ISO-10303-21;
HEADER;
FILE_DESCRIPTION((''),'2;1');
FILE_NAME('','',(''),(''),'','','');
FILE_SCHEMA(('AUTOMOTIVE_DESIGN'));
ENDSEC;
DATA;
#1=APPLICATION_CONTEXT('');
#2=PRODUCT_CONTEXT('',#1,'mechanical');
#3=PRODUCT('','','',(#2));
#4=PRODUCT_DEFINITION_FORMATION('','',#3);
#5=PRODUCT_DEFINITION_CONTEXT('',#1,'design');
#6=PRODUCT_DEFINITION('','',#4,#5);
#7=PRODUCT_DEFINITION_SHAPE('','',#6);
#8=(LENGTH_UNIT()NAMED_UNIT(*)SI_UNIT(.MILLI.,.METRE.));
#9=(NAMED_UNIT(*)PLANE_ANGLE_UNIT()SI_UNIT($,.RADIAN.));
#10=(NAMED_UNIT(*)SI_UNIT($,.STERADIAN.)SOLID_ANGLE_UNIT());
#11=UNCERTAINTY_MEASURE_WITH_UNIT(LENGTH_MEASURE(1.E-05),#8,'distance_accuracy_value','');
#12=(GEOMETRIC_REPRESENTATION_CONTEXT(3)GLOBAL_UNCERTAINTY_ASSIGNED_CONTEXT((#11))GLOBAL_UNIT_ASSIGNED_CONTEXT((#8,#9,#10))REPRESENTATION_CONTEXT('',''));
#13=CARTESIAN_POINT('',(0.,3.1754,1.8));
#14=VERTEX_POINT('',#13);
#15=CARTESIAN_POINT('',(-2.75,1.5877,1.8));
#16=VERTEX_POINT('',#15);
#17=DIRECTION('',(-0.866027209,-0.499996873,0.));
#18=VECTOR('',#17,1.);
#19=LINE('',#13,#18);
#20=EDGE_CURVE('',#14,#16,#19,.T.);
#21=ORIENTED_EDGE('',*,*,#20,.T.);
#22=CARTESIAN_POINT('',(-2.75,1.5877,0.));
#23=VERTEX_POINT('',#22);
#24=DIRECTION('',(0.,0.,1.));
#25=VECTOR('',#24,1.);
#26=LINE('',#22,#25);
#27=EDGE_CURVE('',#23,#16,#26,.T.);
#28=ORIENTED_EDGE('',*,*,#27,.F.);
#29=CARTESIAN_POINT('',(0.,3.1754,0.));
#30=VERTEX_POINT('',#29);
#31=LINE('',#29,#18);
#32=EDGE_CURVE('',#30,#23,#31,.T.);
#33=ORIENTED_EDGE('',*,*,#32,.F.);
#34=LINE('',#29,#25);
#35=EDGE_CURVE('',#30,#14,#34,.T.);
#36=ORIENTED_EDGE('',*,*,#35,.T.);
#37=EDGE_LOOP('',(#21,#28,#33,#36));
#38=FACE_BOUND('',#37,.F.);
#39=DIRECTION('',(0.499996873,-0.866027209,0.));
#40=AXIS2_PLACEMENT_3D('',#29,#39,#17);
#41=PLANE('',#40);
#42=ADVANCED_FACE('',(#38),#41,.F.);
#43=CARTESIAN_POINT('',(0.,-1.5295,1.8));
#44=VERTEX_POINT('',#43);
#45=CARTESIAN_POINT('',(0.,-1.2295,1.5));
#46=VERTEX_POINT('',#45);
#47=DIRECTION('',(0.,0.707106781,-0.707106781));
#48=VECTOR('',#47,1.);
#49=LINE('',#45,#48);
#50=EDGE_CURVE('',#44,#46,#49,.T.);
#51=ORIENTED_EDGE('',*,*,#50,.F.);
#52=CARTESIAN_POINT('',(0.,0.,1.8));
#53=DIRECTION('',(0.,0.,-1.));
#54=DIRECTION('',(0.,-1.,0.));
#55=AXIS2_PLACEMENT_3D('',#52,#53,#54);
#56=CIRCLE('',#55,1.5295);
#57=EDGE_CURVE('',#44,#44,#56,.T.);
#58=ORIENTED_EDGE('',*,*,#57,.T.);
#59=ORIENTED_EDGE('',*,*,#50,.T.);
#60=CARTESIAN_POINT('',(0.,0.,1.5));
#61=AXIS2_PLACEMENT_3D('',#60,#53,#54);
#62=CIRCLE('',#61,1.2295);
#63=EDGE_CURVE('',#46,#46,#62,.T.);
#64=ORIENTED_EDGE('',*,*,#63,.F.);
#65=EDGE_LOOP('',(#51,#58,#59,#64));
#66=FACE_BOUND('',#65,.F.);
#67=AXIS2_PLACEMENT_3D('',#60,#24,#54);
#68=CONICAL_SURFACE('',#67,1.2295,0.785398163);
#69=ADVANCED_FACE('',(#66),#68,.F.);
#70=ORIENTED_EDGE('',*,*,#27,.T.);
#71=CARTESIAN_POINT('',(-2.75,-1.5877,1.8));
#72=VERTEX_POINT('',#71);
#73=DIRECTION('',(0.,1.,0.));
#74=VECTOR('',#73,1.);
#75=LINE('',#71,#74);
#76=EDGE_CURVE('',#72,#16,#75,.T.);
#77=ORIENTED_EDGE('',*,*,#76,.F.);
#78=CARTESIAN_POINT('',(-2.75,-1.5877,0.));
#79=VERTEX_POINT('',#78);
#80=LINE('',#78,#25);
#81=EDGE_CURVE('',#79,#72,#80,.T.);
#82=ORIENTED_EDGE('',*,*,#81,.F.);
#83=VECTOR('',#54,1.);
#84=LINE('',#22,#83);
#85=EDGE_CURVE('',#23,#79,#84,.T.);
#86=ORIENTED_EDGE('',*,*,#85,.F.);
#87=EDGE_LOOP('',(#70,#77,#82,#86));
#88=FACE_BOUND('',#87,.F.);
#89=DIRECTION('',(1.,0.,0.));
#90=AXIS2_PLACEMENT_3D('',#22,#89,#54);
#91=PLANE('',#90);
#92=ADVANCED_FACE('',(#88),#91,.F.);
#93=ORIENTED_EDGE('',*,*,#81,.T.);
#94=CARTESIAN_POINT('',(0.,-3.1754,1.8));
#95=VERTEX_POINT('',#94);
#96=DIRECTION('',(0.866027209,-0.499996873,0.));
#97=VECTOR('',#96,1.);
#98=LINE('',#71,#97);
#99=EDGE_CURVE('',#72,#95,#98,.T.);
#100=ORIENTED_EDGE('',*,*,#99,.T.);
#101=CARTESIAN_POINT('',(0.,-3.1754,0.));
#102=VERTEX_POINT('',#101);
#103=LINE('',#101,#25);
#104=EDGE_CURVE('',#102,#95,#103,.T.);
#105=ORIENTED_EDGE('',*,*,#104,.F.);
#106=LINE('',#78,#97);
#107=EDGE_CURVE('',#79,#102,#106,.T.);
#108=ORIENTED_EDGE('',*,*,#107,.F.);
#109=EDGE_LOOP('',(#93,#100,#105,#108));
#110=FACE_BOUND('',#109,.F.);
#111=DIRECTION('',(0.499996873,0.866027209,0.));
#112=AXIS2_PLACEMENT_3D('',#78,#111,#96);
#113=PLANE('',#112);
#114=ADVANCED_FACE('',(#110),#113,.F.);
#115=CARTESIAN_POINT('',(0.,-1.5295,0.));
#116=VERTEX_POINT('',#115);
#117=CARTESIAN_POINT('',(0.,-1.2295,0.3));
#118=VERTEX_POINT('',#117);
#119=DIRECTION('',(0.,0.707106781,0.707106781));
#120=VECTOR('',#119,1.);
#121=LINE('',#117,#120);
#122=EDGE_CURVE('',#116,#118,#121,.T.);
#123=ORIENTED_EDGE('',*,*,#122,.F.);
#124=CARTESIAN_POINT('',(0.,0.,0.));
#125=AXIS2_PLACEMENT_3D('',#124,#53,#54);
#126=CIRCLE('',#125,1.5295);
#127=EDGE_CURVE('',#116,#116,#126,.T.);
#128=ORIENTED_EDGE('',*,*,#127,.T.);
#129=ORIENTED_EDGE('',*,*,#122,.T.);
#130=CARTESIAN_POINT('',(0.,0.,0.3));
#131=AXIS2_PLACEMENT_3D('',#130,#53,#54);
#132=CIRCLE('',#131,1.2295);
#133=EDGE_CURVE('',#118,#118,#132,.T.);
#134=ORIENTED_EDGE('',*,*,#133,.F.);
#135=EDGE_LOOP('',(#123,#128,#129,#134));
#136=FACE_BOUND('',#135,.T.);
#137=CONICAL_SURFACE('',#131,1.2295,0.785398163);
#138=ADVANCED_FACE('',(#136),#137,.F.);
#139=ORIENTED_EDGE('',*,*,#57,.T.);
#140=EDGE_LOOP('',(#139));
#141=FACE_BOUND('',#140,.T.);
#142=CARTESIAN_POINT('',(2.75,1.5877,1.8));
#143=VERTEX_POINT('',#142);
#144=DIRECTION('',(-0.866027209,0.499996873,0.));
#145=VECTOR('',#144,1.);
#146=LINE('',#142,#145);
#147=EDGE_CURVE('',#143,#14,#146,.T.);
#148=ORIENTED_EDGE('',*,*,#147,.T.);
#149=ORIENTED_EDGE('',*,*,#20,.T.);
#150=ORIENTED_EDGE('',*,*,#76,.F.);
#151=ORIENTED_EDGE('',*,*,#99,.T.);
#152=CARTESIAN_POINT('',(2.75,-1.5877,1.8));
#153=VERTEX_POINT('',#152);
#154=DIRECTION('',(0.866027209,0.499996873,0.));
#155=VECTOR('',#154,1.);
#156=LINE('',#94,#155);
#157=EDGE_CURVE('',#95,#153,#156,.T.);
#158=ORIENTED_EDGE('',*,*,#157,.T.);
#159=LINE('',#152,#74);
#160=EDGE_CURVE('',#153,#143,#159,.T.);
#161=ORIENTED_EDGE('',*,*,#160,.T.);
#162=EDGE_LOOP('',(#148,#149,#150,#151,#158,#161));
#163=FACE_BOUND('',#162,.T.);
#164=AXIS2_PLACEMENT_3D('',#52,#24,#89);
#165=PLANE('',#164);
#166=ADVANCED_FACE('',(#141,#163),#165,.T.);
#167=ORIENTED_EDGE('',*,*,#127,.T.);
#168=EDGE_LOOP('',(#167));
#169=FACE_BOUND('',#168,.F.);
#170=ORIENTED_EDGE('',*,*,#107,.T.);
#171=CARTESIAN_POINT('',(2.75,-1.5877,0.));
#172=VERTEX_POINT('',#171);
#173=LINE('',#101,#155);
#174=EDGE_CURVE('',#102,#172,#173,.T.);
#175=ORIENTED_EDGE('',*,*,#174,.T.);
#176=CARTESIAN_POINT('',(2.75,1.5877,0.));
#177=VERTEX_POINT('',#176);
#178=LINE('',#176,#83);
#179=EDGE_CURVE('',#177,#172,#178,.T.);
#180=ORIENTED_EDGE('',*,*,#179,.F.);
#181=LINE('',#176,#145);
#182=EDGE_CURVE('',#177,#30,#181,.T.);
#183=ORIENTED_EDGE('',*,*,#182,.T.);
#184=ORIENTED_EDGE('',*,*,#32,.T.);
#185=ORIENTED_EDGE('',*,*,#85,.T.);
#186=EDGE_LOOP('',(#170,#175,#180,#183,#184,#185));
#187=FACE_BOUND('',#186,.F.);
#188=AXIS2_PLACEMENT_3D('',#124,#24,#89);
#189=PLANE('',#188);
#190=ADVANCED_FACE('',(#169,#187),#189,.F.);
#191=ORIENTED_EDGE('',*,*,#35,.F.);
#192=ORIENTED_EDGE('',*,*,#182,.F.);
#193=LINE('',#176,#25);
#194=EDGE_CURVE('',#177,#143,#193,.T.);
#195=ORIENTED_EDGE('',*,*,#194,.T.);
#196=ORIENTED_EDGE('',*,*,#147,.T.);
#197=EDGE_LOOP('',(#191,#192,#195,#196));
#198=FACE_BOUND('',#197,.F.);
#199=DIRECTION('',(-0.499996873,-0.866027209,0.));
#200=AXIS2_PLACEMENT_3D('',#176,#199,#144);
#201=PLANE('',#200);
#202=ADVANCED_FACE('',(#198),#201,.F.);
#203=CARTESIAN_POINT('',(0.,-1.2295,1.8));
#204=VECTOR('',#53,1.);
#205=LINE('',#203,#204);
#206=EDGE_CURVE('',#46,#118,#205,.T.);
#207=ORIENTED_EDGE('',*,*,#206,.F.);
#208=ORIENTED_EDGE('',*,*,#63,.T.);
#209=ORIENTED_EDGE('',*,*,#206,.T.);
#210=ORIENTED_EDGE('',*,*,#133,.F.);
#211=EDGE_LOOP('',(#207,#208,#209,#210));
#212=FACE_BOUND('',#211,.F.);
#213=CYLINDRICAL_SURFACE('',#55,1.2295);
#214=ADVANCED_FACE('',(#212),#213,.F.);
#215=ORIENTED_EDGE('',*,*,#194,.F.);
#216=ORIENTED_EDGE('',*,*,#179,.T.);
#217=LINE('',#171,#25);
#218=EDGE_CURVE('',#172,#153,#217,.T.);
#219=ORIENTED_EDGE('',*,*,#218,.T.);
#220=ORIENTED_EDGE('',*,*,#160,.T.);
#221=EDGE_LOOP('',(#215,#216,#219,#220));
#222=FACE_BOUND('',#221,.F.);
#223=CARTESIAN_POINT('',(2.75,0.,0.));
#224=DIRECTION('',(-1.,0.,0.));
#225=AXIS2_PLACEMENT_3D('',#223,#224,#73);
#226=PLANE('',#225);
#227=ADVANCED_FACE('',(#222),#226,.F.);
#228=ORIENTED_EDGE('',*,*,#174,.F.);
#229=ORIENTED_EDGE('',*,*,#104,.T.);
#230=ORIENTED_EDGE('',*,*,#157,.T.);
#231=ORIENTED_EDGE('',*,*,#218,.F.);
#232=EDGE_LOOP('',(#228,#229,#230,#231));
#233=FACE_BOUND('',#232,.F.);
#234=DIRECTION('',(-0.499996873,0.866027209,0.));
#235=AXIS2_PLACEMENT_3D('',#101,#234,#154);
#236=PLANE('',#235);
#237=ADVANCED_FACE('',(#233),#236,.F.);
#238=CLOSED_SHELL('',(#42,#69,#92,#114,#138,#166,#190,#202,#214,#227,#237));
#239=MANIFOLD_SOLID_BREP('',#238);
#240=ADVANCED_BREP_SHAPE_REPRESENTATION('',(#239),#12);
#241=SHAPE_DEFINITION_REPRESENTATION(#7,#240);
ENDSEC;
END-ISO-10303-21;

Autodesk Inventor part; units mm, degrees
sketch "Sketch1" plane through (0, 0, 0) normal (0, 0, 1) x (1, 0, 0)
  circle A0 centre (0, 0) radius 2.75 construction
  line L0 (-2.75, 1.5877) -> (-2.75, -1.5877)
  line L1 (-2.75, -1.5877) -> (0, -3.1754)
  line L2 (0, -3.1754) -> (2.75, -1.5877)
  line L3 (2.75, -1.5877) -> (2.75, 1.5877)
  line L4 (2.75, 1.5877) -> (0, 3.1754)
  line L5 (0, 3.1754) -> (-2.75, 1.5877)
  line L6 (0, 4.4456) -> (0, -4.4456) projected
  line L7 (-3.85, 0) -> (3.85, 0) projected
  point P0 (0, 0)
  dimension "ParS" = 5.5
extrude "Extrusion1" add sketch "Sketch1" along normal blind 1.8
sketch "Sketch2" plane through (0, 0, 1.8) normal (0, 0, 1) x (1, 0, 0)
  point P0 (0, 0)
  point P1 (0, 0)
hole "Hole1" at (0, 0, 1.8) direction (0, 0, -1) diameter 2.459 end through all thread size "M3x0.5" class "6H" standard "ISO Metric profile"
ref_plane "MSC_PT1" through (0, 0, 1.8) normal (0, 0, 1) x (1, 0, 0)
ref_plane "MSC_PT2" through (0, 0, 0) normal (0, 0, -1) x (-1, 0, 0)
ref_plane "MSC_PF1" through (0, 0, 0) normal (1, 0, 0) x (0, 1, 0)
chamfer "Chamfer1" distance 0.3 angle 45 2 edges at (0, 1.2295, 1.8) (0, 1.2295, 0)
equation "\"d17\" = 0.6 * PTC"
equation "\"d18\" = 0.6 * PTC"
equation "\"d4\" = M"
equation "\"PTC\" = 0.5"
equation "\"NND\" = 3"
equation "\"THREADDIA\" = NND"
properties part number "ISO 4036 - M3" material "Steel, Mild"
